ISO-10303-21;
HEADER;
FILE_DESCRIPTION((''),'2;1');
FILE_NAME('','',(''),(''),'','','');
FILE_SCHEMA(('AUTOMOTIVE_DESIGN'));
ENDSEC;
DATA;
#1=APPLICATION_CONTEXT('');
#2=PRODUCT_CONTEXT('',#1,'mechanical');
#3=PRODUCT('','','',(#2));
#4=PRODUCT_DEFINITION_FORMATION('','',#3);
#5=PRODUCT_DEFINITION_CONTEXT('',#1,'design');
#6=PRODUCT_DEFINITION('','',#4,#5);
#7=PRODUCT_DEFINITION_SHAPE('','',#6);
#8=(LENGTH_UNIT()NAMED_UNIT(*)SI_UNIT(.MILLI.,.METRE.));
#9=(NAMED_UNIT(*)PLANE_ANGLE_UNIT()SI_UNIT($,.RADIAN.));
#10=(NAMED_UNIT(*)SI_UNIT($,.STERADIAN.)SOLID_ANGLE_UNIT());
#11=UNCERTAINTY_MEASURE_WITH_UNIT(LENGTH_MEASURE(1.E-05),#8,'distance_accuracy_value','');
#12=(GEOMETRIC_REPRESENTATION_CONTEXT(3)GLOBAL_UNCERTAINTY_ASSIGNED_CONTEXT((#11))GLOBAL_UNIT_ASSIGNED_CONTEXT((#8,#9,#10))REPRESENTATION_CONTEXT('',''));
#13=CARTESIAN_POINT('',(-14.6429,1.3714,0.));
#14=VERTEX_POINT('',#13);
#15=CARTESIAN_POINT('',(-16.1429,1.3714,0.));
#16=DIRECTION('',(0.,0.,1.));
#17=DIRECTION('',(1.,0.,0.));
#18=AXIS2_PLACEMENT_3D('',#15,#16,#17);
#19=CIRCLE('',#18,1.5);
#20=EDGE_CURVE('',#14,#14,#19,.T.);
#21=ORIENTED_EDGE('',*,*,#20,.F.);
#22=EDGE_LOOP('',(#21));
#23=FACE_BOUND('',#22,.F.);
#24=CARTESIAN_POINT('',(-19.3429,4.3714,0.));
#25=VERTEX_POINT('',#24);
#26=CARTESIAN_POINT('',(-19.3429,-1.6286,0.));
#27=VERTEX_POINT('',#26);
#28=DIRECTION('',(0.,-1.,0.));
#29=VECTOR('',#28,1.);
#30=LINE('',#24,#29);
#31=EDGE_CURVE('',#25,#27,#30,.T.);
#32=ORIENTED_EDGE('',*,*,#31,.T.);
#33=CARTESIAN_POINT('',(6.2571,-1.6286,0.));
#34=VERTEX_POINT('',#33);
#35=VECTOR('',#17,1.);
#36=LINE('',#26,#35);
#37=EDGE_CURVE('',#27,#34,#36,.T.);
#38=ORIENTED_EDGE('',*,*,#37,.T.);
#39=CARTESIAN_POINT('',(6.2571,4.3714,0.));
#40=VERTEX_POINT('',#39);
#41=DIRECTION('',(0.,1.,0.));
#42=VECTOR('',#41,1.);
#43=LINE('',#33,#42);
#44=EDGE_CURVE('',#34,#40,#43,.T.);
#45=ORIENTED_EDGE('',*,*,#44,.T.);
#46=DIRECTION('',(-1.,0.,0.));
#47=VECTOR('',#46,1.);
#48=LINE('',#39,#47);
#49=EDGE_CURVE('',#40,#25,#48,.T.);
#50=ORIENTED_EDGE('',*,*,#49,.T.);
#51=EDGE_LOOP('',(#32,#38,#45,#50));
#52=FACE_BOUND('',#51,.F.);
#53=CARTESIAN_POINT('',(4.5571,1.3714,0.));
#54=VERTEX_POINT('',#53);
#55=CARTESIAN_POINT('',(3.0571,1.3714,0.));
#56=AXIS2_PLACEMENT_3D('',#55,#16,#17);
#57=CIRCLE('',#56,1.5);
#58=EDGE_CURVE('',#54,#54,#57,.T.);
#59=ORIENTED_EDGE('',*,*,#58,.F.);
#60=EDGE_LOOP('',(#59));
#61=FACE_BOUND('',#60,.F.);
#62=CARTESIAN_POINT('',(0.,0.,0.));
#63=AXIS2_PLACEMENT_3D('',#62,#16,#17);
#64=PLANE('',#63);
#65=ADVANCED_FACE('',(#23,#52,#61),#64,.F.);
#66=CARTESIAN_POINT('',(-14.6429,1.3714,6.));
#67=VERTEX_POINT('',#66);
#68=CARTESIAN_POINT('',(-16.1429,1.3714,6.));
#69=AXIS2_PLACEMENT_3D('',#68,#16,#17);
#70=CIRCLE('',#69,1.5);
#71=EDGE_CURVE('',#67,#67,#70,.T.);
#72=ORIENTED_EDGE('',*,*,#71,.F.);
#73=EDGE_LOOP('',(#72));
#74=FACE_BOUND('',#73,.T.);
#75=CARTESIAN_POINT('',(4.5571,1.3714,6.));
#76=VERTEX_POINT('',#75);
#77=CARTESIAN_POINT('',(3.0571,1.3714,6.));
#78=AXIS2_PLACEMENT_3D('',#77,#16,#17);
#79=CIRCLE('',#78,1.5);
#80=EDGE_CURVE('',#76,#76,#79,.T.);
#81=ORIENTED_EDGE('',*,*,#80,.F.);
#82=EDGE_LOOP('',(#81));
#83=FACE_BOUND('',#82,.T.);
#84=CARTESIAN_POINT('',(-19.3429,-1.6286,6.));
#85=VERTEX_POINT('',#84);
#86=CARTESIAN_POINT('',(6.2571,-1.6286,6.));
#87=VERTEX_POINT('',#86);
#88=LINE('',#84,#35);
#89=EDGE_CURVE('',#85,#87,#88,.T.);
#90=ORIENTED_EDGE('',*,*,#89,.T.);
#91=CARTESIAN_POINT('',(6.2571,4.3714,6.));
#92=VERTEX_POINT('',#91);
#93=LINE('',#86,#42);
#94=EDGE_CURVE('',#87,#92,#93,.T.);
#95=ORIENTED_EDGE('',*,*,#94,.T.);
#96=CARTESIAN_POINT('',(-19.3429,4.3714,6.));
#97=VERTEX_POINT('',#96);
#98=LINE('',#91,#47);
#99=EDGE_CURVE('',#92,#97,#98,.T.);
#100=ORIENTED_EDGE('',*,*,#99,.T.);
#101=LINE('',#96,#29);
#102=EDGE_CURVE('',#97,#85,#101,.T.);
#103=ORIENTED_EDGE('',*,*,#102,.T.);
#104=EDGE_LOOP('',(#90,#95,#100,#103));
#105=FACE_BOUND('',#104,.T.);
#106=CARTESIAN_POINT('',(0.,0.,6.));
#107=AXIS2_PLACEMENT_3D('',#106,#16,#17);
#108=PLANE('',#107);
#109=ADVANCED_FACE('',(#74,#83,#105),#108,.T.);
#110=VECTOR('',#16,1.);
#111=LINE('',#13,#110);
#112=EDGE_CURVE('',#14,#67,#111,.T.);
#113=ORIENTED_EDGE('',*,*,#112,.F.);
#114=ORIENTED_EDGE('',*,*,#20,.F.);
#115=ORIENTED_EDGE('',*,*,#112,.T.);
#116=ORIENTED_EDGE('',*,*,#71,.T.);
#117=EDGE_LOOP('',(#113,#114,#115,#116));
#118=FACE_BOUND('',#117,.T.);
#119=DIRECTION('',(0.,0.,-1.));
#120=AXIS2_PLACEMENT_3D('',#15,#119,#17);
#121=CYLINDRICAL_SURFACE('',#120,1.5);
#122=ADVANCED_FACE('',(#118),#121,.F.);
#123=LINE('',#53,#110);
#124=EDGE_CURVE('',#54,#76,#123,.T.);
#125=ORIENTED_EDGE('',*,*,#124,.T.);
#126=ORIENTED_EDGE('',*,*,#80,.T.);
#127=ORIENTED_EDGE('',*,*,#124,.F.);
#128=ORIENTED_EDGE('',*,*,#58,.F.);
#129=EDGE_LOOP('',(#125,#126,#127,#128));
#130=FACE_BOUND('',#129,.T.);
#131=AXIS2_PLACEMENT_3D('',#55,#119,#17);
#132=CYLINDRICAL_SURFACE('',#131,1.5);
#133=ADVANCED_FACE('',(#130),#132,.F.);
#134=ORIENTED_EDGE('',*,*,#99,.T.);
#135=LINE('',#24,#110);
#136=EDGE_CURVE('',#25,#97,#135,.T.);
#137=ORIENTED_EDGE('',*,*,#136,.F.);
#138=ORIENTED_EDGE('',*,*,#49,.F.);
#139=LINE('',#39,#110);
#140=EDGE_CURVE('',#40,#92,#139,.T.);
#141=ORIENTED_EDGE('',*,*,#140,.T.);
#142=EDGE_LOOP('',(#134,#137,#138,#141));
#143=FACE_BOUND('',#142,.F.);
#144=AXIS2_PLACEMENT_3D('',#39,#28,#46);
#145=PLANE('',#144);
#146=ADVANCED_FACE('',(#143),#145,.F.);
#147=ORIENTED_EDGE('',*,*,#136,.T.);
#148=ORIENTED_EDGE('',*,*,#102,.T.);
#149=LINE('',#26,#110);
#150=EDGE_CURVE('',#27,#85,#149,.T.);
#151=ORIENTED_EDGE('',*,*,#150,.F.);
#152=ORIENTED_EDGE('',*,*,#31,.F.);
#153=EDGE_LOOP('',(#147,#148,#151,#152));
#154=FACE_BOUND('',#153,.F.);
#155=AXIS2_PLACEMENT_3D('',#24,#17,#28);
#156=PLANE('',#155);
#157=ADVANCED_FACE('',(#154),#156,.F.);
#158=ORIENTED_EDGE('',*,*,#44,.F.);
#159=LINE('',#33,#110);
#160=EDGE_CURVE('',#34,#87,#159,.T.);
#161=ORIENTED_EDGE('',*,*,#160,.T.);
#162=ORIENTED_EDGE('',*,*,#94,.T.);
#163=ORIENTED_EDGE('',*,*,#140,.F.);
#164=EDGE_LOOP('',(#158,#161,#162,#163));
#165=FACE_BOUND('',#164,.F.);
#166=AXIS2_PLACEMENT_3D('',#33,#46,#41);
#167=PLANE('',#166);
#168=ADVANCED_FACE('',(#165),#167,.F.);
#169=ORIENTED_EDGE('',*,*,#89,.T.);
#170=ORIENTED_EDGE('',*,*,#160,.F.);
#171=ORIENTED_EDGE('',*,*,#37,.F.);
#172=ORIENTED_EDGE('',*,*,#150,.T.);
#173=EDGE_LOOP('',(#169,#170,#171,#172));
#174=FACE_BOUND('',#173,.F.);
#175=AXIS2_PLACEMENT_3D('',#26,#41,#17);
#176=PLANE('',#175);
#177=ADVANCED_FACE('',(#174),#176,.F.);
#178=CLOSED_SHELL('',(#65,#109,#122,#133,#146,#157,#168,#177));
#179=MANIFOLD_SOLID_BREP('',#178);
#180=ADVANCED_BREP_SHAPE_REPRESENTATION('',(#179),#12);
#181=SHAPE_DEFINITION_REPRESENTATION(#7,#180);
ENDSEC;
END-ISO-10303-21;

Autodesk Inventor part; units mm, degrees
ref_plane "YZ Plane" through (0, 0, 0) normal (1, 0, 0) x (0, 1, 0)
ref_plane "XZ Plane" through (0, 0, 0) normal (0, 1, 0) x (-1, 0, 0)
ref_plane "XY Plane" through (0, 0, 0) normal (0, 0, 1) x (1, 0, 0)
sketch "Sketch1" plane through (0, 0, 0) normal (0, 0, 1) x (1, 0, 0)
  circle A0 centre (-16.1429, 1.3714) radius 1.5
  circle A1 centre (3.0571, 1.3714) radius 1.5
  line L0 (6.2571, 4.3714) -> (-19.3429, 4.3714)
  line L1 (-19.3429, 4.3714) -> (-19.3429, -1.6286)
  line L2 (-19.3429, -1.6286) -> (6.2571, -1.6286)
  line L3 (6.2571, -1.6286) -> (6.2571, 4.3714)
  point P0 (0, 0)
  point P1 (0, 0)
extrude "Extrusion1" add sketch "Sketch1" along normal blind 6
properties part number "yCarBeltTensioner"
